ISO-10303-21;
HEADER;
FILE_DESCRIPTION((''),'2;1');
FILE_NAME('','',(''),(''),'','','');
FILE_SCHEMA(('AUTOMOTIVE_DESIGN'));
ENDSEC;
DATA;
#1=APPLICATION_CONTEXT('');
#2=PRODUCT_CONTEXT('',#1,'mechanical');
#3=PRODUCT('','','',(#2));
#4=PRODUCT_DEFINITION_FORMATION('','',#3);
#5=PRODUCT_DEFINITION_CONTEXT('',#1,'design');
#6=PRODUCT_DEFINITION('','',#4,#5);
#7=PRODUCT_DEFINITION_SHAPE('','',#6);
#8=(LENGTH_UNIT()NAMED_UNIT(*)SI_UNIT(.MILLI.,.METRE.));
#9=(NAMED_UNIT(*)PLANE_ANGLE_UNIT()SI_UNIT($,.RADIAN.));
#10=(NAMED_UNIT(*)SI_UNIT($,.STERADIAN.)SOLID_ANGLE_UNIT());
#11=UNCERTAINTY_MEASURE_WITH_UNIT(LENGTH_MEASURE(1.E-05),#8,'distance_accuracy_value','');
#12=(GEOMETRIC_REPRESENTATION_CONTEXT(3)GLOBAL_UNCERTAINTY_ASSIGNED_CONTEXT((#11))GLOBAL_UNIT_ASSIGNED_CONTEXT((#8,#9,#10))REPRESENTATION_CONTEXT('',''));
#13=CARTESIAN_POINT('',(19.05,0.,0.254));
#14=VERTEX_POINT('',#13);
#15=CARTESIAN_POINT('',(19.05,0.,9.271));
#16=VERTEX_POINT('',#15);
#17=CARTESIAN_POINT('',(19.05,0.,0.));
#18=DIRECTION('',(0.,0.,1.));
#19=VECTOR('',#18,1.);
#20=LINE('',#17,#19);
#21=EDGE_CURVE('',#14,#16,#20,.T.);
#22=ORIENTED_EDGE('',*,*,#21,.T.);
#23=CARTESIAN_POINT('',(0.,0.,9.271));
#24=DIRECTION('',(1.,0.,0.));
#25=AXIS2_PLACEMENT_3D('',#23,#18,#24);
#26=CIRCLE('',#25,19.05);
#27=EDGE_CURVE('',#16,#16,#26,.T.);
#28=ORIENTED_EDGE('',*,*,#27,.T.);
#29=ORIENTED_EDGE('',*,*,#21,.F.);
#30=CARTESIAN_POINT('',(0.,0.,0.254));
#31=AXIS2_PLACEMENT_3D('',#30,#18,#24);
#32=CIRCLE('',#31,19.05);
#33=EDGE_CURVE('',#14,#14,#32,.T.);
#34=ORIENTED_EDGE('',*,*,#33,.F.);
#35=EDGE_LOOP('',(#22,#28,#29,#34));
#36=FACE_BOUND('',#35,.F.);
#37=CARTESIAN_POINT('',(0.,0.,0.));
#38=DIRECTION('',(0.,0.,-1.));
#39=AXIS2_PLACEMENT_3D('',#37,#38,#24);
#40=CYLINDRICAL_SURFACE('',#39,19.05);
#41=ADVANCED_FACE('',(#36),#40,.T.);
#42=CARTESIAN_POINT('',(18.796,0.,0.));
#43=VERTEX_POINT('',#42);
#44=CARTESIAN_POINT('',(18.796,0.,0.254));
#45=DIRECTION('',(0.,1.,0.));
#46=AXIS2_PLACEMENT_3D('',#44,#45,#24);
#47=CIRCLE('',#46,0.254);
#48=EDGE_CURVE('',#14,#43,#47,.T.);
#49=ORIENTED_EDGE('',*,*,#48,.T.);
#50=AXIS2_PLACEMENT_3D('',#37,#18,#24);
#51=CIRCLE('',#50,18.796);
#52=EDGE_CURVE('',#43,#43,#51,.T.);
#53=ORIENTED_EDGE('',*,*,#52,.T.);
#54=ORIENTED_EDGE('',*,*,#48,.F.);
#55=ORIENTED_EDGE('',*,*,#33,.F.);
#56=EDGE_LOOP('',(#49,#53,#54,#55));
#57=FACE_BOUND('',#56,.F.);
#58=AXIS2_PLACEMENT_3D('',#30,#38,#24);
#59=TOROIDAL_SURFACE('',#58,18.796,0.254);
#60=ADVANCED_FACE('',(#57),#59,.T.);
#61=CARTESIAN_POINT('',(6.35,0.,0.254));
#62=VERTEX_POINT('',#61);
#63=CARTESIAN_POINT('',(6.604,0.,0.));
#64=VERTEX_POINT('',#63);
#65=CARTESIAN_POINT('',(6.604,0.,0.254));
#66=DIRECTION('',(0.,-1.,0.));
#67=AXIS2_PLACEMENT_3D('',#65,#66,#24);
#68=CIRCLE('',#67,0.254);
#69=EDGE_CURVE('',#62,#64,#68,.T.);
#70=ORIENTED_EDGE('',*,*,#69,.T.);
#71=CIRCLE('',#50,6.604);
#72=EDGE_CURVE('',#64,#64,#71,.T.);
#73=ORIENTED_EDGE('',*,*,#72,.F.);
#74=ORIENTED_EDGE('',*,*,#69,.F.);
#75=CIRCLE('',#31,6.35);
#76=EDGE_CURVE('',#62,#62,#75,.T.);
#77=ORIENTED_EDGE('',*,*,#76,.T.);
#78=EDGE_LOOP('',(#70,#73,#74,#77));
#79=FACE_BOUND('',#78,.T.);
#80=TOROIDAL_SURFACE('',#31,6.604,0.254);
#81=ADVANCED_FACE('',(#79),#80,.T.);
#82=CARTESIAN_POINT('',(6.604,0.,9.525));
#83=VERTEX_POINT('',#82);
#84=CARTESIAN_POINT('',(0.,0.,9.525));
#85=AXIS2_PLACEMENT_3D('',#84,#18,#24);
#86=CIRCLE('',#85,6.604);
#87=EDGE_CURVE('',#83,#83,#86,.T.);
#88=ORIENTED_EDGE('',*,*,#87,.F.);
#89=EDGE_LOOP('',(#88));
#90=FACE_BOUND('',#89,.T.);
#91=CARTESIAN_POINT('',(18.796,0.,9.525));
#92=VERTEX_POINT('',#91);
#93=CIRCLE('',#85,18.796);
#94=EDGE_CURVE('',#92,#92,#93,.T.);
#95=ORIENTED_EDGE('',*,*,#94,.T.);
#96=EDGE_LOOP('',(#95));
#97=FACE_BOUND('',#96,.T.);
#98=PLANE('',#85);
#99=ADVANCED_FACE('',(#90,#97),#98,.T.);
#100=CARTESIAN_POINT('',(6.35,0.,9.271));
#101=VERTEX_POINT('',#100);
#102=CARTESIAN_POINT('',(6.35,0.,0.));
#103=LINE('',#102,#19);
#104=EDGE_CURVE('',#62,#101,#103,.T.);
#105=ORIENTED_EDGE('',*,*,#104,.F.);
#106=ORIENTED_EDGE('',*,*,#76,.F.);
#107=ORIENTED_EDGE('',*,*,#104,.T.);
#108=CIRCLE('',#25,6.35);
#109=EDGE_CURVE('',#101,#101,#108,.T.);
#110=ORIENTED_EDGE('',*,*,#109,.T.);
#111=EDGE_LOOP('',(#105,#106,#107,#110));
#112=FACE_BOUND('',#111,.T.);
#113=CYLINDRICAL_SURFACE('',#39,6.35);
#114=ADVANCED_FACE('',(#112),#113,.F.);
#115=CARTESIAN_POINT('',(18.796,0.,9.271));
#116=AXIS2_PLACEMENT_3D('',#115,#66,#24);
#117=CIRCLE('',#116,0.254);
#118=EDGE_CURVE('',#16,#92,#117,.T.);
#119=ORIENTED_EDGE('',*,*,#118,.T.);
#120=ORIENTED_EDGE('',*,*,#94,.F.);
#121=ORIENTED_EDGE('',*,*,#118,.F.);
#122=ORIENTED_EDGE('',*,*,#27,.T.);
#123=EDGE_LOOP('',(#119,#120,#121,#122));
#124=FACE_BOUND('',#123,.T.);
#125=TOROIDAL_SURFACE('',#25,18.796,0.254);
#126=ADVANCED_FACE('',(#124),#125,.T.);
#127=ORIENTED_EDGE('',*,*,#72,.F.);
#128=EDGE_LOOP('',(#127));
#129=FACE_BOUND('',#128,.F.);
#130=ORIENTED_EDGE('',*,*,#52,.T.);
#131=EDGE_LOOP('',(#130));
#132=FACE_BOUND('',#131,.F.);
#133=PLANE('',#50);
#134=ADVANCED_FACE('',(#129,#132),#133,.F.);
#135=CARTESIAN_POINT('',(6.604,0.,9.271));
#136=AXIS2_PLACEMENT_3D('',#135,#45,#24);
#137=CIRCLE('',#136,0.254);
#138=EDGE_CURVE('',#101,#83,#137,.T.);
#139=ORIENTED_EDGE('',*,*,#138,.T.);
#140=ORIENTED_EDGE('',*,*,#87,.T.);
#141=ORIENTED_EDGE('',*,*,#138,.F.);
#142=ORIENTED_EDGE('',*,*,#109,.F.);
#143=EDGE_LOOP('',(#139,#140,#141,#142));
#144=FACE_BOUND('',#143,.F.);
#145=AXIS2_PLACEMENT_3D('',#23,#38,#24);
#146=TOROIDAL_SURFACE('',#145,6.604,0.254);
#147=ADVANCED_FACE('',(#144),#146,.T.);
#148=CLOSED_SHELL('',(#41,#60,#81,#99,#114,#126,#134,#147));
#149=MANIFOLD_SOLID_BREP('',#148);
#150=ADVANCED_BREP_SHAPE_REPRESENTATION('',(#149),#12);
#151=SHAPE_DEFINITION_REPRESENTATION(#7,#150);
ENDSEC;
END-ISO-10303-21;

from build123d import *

# Parameters (mm, degrees)
F0_R     = 19.05
F0_R_2   = 6.35
F1_DEPTH = 9.525
F2_R     = 0.254


with BuildPart() as f1:
    # F0 (on Top) → F1 (new body)
    with BuildSketch(Plane.XY):
        Circle(F0_R)
        Circle(F0_R_2, mode=Mode.SUBTRACT)
    extrude(amount=F1_DEPTH)

    # F2
    f2_edges = [f1.edges().sort_by_distance(p)[0] for p in [
        (19.05, 0, 4.7625),
        (-19.05, 0, 0),
        (-19.05, 0, 9.525),
        (6.35, 0, 4.7625),
        (-6.35, 0, 0),
        (-6.35, 0, 9.525),
    ]]
    fillet(f2_edges, radius=F2_R)


solid = f1.part
